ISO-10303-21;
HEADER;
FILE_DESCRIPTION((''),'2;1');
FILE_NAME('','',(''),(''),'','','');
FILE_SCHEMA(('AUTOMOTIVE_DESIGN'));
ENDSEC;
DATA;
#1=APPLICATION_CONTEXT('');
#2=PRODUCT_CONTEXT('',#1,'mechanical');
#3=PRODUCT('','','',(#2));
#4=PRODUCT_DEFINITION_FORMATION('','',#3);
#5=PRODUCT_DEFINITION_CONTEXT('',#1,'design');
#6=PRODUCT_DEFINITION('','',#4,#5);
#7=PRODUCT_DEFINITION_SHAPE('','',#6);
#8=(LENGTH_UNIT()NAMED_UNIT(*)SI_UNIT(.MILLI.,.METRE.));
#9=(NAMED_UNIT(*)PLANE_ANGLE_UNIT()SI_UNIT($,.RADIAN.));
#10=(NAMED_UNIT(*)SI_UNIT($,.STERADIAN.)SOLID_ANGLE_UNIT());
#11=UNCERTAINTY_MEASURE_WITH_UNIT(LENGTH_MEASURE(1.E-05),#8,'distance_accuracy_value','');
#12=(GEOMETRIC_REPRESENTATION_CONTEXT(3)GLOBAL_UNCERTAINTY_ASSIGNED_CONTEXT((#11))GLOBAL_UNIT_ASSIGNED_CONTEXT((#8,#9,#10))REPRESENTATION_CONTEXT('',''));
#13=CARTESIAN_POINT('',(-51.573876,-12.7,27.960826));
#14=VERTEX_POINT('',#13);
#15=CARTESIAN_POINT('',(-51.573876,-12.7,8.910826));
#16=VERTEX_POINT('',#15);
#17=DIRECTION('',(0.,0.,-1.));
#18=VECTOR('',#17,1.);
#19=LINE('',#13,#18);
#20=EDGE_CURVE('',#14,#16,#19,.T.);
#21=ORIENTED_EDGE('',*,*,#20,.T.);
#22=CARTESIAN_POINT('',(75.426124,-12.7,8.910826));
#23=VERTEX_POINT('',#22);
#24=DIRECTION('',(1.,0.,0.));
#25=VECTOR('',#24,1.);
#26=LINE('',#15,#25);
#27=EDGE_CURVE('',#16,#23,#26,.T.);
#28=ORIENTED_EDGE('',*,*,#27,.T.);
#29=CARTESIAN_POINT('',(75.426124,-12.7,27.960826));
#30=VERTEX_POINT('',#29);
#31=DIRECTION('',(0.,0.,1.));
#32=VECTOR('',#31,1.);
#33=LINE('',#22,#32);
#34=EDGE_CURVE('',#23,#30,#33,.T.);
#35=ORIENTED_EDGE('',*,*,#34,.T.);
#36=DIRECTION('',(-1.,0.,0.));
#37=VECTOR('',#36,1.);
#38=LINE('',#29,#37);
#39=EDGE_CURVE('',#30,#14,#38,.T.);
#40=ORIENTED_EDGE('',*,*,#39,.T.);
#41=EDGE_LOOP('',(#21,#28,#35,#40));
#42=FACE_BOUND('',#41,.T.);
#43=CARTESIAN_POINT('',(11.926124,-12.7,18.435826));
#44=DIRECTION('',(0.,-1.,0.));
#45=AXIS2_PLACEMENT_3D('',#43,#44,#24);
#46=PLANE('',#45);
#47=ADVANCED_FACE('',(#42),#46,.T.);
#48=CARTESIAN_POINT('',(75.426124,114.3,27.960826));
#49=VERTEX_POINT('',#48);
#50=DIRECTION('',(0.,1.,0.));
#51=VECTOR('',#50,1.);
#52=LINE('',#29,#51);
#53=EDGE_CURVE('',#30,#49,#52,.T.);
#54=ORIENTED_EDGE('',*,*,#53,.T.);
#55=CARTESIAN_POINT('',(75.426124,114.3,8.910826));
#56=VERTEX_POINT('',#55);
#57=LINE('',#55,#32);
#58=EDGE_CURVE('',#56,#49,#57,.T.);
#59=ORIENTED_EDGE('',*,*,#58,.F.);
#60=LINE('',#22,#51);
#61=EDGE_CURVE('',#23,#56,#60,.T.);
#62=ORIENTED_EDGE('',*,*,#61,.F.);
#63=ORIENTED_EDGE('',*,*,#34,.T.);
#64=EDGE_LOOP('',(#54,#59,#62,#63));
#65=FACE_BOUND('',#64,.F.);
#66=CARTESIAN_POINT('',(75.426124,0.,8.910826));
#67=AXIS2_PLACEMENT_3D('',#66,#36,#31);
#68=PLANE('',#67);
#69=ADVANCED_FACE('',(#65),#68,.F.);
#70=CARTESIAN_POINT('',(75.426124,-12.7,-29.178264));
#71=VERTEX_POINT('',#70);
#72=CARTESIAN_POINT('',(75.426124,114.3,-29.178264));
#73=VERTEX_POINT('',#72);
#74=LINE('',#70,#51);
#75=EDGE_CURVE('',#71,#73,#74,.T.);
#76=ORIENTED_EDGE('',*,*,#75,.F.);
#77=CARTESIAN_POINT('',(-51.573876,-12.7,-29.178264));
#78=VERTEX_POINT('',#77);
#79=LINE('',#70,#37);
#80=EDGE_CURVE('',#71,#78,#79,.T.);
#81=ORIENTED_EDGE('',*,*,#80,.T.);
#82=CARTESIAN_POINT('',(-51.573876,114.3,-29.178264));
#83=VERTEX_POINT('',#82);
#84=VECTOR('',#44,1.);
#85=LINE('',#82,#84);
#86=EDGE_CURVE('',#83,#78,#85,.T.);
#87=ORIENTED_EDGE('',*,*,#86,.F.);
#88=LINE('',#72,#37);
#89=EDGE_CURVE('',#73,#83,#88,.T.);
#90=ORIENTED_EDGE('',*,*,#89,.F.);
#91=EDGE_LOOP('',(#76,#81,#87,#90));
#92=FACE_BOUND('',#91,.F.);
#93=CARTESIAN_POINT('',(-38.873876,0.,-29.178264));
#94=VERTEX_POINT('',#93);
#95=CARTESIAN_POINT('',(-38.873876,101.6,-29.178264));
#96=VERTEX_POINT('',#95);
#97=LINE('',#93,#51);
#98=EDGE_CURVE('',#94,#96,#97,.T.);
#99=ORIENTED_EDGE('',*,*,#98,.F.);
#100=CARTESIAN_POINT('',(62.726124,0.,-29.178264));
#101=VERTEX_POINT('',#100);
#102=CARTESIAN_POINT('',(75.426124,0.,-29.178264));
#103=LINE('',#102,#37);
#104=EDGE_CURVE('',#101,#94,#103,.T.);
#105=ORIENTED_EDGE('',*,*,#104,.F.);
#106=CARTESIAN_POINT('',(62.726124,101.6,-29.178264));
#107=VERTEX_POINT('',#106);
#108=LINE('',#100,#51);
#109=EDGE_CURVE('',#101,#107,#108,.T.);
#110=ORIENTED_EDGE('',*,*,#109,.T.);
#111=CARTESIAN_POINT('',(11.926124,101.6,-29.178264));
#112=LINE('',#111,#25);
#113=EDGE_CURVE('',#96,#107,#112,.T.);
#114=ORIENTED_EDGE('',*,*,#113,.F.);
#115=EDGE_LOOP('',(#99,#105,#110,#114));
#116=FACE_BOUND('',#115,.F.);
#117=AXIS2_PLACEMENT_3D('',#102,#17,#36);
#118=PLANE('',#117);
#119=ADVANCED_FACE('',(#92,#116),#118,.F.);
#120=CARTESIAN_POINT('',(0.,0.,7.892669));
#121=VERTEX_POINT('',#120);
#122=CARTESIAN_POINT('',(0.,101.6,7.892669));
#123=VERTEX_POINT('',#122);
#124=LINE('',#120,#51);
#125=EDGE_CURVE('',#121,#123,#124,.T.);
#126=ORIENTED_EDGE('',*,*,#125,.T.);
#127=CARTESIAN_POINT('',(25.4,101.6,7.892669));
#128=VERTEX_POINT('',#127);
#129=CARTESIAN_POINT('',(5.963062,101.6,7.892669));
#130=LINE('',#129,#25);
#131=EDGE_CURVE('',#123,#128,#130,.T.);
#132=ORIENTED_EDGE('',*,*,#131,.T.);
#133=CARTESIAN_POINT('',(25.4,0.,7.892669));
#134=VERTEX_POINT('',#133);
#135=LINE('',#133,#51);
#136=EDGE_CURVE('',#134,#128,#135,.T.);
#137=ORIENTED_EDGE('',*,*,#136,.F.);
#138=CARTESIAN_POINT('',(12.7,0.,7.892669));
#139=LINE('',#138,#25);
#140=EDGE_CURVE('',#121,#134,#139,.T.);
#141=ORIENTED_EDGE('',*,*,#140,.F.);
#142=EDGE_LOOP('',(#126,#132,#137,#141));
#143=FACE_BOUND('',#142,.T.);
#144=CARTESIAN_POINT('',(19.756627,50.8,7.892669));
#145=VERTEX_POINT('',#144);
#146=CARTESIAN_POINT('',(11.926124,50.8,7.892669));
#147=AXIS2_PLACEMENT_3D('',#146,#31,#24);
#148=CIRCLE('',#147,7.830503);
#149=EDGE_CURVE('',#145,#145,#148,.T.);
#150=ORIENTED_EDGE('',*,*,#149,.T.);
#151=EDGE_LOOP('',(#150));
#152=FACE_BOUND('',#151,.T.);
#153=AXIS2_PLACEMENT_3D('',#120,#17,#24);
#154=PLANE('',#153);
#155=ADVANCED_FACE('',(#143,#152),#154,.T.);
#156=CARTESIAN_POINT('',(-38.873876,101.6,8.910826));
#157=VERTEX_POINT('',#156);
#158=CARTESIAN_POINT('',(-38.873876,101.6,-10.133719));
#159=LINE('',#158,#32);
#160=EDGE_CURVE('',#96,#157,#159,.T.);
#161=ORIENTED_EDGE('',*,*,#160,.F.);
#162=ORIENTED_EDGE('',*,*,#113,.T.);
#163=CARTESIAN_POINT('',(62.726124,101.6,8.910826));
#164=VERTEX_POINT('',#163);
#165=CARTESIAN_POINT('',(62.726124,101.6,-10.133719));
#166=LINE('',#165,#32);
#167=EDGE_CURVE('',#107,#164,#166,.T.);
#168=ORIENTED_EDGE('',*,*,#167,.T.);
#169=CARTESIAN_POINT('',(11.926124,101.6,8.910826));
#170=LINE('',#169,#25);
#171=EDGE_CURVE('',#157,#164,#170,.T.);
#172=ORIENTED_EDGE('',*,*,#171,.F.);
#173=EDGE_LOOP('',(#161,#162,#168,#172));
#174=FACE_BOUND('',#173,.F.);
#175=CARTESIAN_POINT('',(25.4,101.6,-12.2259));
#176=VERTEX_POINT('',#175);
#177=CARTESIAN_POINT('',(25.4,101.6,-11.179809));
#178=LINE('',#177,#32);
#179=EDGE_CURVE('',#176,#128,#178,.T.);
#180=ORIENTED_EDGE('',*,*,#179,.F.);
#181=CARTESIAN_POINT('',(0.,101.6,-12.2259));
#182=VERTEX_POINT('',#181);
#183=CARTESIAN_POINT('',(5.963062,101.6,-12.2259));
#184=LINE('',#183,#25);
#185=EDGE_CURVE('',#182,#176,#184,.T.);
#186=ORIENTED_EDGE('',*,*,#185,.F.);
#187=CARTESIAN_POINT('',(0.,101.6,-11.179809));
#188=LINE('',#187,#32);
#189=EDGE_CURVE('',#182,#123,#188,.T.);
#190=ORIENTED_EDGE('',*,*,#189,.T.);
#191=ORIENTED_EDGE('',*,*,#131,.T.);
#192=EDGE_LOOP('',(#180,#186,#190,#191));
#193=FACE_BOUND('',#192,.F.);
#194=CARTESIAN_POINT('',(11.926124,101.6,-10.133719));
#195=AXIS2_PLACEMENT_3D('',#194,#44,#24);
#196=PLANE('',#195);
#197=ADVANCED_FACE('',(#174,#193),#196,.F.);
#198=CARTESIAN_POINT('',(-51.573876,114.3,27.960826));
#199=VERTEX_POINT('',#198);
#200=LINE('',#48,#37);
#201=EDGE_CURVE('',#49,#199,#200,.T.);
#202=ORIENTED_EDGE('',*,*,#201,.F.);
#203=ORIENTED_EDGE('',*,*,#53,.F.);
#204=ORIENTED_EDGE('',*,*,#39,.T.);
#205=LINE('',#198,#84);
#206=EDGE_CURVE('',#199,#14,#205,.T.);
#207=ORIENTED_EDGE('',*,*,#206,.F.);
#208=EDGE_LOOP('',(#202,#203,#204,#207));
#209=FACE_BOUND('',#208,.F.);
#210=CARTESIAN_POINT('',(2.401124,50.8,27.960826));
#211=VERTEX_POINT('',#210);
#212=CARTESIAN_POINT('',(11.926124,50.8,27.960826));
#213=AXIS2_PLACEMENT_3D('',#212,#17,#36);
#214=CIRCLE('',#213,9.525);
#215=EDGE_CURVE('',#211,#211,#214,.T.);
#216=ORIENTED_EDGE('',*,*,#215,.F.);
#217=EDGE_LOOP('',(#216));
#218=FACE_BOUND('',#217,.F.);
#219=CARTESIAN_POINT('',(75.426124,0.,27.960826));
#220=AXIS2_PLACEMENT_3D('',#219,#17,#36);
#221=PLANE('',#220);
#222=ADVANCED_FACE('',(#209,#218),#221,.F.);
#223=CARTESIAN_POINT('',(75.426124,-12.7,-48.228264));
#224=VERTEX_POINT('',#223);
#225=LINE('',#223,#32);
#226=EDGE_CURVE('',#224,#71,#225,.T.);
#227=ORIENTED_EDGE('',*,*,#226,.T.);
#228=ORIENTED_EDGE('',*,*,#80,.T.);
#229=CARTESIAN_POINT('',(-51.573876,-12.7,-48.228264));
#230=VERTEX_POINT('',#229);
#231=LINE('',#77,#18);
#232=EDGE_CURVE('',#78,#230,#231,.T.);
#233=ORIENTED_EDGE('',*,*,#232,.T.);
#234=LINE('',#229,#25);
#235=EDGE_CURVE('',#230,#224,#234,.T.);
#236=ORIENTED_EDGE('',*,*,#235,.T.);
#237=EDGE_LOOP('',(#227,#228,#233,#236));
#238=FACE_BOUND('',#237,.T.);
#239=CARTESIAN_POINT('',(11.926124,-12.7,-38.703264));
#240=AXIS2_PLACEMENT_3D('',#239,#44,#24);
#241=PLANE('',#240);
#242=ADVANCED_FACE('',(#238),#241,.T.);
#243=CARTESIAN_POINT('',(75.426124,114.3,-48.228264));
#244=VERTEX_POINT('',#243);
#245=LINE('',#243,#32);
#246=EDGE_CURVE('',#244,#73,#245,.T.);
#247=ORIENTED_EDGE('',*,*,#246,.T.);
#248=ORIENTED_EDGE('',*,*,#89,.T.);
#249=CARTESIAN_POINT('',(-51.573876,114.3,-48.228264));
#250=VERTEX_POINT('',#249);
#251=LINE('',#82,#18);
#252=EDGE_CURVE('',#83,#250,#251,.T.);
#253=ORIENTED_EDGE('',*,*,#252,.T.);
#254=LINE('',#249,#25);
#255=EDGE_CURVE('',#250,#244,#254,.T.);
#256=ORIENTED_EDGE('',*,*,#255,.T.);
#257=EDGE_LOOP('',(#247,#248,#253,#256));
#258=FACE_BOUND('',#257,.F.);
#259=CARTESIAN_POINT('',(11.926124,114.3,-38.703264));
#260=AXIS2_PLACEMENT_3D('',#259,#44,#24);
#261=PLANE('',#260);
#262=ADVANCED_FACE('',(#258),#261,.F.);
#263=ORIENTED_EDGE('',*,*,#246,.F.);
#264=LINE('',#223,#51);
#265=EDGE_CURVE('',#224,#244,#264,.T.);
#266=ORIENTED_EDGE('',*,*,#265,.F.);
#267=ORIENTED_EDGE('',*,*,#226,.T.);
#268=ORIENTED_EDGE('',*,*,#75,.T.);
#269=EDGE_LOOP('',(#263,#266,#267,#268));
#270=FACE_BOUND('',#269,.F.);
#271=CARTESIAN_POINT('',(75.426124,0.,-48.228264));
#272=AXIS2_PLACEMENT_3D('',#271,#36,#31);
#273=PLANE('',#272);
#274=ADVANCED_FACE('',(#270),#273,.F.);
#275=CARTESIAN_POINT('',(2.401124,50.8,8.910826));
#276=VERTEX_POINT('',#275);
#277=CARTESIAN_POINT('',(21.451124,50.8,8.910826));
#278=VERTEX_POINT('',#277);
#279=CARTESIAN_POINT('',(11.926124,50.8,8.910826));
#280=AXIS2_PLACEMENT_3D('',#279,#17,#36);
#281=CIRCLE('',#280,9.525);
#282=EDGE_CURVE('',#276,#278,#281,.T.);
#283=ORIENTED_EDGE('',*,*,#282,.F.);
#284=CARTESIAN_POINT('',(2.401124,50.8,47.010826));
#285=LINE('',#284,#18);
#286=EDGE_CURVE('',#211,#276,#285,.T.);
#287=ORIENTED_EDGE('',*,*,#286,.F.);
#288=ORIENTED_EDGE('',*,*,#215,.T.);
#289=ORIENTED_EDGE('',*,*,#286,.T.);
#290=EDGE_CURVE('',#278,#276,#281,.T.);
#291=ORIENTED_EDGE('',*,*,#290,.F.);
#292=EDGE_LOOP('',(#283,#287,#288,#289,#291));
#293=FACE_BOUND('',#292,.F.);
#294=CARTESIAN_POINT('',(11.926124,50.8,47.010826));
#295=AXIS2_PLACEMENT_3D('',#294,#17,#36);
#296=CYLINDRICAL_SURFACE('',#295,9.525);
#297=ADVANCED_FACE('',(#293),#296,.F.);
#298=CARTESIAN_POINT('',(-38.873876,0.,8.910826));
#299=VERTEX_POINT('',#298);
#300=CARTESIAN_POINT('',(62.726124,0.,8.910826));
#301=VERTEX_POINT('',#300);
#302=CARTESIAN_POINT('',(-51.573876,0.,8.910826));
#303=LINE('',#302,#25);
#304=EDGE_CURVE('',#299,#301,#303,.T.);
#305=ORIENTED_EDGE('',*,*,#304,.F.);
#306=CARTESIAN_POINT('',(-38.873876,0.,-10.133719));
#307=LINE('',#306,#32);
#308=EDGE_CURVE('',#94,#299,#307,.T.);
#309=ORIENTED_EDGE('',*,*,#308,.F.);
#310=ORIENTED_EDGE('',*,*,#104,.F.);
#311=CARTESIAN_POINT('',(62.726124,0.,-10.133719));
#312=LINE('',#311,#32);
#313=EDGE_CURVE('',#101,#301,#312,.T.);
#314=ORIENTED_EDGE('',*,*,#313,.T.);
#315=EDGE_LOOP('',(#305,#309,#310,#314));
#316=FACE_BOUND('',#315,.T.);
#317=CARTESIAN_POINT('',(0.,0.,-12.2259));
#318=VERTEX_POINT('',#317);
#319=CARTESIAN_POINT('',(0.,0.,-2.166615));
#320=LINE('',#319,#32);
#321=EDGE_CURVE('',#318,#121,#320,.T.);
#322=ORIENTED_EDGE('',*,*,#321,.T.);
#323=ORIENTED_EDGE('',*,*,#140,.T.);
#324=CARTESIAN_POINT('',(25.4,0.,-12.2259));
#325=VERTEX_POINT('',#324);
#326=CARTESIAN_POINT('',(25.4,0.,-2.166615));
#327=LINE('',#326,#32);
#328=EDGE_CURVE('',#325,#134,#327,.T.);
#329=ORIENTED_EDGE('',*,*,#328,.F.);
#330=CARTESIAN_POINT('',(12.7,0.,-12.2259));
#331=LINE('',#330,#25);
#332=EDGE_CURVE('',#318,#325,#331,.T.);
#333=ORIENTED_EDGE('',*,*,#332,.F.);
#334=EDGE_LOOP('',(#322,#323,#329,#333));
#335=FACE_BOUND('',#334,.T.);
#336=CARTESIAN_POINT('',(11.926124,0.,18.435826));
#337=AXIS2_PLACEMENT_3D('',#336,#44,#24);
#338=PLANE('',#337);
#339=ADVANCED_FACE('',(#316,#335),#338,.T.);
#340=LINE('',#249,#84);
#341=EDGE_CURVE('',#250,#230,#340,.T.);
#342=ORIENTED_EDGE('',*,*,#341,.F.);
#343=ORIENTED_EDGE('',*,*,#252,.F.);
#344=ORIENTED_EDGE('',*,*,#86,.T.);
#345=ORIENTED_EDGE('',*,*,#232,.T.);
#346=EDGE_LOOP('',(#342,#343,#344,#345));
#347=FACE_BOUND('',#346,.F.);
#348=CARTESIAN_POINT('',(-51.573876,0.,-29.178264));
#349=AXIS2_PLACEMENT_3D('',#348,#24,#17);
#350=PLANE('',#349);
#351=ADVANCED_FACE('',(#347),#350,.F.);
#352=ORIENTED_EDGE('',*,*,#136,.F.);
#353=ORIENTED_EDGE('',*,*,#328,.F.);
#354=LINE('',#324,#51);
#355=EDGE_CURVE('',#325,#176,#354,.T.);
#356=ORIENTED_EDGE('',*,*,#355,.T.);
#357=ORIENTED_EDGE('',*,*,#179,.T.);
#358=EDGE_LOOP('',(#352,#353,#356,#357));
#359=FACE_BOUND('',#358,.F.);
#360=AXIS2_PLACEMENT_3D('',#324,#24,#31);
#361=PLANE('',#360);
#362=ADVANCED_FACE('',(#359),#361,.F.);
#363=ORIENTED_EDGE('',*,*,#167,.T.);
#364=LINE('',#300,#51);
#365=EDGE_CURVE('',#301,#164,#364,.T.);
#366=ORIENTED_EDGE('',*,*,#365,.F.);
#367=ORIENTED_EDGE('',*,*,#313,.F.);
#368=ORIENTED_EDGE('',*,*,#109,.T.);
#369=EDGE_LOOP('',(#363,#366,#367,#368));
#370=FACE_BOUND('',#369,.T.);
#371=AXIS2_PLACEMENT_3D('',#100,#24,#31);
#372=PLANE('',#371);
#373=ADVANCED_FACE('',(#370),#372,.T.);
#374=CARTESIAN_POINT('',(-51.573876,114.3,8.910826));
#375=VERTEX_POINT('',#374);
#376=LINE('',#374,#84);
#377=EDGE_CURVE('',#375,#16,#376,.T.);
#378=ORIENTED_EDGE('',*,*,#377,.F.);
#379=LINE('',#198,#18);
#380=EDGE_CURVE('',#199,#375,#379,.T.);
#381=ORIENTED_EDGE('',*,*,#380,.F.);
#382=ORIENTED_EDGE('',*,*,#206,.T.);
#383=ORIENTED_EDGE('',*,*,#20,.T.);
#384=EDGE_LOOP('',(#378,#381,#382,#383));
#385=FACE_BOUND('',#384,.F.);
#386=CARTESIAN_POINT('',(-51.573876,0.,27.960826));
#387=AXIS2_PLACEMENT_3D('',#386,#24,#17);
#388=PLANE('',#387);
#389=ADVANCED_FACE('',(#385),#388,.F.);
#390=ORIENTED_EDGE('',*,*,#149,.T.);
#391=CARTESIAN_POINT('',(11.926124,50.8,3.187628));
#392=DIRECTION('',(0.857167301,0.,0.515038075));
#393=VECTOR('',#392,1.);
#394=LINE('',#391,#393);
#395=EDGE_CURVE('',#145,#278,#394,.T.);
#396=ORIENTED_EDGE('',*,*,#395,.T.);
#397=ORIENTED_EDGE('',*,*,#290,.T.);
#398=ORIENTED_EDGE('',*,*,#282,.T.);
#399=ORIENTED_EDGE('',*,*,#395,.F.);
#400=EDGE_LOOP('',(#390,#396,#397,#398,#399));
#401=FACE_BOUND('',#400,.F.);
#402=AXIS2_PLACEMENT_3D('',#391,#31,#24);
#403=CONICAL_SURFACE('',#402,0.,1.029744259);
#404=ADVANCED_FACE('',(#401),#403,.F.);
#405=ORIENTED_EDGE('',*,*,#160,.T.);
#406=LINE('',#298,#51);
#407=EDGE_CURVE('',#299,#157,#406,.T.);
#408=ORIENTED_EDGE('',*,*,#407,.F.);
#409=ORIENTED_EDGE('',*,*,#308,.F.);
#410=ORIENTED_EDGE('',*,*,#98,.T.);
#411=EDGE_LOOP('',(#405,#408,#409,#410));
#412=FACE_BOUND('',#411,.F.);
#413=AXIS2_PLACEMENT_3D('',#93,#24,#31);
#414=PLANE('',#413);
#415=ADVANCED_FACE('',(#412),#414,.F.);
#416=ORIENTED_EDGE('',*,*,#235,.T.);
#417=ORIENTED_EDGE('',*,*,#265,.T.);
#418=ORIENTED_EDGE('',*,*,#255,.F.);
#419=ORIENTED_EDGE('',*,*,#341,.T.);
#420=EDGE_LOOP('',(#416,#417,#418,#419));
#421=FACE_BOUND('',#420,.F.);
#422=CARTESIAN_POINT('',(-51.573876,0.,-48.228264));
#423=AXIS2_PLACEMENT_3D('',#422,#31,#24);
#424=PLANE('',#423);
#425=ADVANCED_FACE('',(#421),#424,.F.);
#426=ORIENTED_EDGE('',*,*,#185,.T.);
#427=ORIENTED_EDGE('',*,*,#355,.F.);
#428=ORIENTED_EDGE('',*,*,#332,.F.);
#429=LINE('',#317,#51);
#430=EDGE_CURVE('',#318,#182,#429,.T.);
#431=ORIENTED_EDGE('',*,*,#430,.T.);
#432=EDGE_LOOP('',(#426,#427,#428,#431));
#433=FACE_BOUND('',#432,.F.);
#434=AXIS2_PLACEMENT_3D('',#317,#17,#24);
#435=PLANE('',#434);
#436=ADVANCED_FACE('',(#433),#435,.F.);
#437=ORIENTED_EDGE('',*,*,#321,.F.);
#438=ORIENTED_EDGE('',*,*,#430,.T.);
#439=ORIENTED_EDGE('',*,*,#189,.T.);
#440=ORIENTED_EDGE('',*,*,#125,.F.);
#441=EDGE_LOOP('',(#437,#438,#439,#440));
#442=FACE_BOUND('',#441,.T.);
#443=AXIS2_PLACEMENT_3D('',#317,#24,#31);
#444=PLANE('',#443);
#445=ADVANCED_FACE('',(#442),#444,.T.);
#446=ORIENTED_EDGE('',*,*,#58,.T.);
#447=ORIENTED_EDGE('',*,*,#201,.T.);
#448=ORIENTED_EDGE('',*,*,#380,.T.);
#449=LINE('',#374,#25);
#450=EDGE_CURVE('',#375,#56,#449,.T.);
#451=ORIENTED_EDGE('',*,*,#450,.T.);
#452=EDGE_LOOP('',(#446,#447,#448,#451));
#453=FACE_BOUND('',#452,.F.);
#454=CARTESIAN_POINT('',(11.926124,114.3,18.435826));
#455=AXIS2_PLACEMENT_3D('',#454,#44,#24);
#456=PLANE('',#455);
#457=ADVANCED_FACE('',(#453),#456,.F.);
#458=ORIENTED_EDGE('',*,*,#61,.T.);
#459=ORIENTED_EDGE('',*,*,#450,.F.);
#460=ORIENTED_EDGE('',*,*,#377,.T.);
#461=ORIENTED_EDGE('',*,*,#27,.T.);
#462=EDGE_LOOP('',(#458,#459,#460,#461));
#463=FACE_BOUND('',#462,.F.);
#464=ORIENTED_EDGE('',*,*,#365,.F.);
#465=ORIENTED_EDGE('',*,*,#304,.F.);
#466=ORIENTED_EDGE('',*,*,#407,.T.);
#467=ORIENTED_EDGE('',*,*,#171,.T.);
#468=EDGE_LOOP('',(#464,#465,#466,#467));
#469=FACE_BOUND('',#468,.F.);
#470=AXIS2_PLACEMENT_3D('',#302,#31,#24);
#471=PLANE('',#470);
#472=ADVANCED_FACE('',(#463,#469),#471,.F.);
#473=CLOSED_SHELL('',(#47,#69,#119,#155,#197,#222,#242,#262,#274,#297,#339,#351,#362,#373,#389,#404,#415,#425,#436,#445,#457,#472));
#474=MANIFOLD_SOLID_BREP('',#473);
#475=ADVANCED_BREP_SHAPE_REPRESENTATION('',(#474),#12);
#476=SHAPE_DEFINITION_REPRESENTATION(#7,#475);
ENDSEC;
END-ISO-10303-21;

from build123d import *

# Parameters (mm, degrees)
F0_W          = 101.6
F0_H          = 38.089089331
F1_DEPTH      = 101.6
F2_DEPTH      = 114.3
F2_DEPTH_BACK = 12.7
F3_W          = 25.4
F3_H          = 20.1185690239
F4_DEPTH      = 114.301
F6_D          = 19.05
F6_DEPTH      = 19.05
F6_TIP        = 5.7231973962


with BuildPart() as f1:
    # F0 (on Front) → F1 (new body)
    with BuildSketch(Plane.XZ):
        with Locations((11.9261237085, -10.133718954)):
            Rectangle(F0_W, F0_H)
    extrude(amount=-F1_DEPTH)

    # F0 (on Front) → F2 (join, two sides)
    with BuildSketch(Plane.XZ) as f2_sk:
        Polygon((75.4261237085, 27.9608257115), (-51.5738762915, 27.9608257115), (-51.5738762915, 8.9108257115), (-38.8738762915, 8.9108257115), (62.7261237085, 8.9108257115), (75.4261237085, 8.9108257115), align=None)
        Polygon((62.7261237085, -29.1782636195), (-38.8738762915, -29.1782636195), (-51.5738762915, -29.1782636195), (-51.5738762915, -48.2282636195), (75.4261237085, -48.2282636195), (75.4261237085, -29.1782636195), align=None)
    extrude(amount=-F2_DEPTH)
    extrude(f2_sk.sketch, amount=F2_DEPTH_BACK)

    # F3 (on Front) → F4 (cut, through all)
    with BuildSketch(Plane.XZ):
        with Locations((12.7, -2.1666153334)):
            Rectangle(F3_W, F3_H)
    extrude(amount=-F4_DEPTH, mode=Mode.SUBTRACT)

    # F6
    with Locations(Plane.XY.offset(27.9608257115)):
        with Locations((11.9261237085, 50.8)):
            Hole(F6_D / 2, depth=F6_DEPTH)
            with Locations((0, 0, -(F6_DEPTH + F6_TIP / 2))):  # 118° drill point
                Cone(0, F6_D / 2, F6_TIP, mode=Mode.SUBTRACT)


solid = f1.part
